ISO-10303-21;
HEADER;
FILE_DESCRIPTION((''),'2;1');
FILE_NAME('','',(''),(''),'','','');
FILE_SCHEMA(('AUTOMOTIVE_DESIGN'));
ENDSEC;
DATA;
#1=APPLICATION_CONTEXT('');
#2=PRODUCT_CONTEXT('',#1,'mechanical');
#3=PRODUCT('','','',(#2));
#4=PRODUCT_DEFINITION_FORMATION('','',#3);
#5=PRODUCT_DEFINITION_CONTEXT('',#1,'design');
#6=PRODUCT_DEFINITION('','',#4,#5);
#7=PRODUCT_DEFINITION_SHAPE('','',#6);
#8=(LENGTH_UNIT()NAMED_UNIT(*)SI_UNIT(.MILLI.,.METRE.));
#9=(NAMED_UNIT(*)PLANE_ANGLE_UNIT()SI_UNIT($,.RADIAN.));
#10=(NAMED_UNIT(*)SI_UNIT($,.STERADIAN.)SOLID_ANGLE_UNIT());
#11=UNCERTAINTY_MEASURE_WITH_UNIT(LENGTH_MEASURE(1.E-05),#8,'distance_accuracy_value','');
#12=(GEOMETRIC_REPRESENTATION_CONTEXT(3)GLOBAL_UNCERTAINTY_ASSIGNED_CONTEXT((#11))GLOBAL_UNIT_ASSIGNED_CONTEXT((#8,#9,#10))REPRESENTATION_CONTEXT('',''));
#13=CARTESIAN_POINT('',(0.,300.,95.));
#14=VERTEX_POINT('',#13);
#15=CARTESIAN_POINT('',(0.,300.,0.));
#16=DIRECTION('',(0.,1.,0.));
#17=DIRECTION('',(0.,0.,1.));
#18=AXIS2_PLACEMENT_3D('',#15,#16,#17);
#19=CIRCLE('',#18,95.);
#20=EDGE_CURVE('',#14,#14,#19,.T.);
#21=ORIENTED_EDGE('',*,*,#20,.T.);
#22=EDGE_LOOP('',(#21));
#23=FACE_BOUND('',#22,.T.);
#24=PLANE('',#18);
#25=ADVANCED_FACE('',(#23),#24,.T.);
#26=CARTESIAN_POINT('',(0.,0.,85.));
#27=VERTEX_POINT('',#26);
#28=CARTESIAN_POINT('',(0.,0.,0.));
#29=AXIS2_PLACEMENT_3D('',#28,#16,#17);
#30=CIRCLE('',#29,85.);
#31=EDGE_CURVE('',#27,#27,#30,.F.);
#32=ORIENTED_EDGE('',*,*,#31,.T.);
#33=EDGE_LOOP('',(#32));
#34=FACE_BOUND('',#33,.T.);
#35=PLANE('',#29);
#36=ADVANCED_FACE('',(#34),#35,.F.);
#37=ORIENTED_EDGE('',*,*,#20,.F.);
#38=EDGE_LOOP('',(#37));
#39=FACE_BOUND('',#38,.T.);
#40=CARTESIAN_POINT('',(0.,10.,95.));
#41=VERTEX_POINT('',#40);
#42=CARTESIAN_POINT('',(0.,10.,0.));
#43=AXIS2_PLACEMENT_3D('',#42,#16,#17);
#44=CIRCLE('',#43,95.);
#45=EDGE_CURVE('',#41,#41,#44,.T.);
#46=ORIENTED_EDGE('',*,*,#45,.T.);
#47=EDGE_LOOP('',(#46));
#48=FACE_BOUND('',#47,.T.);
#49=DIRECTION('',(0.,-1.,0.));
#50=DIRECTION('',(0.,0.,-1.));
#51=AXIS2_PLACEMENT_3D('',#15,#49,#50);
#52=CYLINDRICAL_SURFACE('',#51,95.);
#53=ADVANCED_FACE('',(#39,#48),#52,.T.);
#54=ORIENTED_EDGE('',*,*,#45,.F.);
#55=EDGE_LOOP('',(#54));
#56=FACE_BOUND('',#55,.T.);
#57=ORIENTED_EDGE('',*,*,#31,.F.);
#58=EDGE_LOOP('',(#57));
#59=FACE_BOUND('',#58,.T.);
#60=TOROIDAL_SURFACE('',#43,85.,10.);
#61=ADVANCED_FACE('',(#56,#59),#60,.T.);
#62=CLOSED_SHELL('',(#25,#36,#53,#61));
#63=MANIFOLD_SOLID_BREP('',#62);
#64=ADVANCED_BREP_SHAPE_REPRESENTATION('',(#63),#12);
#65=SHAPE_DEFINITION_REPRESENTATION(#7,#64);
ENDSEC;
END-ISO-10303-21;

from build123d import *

# Parameters (mm, degrees)
ESQUISSE1_R        = 9.5
BOSS_EXTRU_1_DEPTH = 30
CONG_1_R           = 1
ECHELLE1_SCALE     = 10


with BuildPart() as part:
    # Esquisse1 → Boss.-Extru.1 (new body)
    with BuildSketch(Plane(origin=(0, 0, 0), x_dir=(1, 0, 0), z_dir=(0, 1, 0))):
        Circle(ESQUISSE1_R)
    extrude(amount=BOSS_EXTRU_1_DEPTH)

    # Congé1
    cong_1_edges = [part.edges().sort_by_distance(p)[0] for p in [
        (-9.5, 0, 0),
    ]]
    fillet(cong_1_edges, radius=CONG_1_R)


with BuildPart() as part_1:
    # Echelle1: scaled about (0, 0, 0)
    add(part.part.scale(ECHELLE1_SCALE))


solid = part_1.part
